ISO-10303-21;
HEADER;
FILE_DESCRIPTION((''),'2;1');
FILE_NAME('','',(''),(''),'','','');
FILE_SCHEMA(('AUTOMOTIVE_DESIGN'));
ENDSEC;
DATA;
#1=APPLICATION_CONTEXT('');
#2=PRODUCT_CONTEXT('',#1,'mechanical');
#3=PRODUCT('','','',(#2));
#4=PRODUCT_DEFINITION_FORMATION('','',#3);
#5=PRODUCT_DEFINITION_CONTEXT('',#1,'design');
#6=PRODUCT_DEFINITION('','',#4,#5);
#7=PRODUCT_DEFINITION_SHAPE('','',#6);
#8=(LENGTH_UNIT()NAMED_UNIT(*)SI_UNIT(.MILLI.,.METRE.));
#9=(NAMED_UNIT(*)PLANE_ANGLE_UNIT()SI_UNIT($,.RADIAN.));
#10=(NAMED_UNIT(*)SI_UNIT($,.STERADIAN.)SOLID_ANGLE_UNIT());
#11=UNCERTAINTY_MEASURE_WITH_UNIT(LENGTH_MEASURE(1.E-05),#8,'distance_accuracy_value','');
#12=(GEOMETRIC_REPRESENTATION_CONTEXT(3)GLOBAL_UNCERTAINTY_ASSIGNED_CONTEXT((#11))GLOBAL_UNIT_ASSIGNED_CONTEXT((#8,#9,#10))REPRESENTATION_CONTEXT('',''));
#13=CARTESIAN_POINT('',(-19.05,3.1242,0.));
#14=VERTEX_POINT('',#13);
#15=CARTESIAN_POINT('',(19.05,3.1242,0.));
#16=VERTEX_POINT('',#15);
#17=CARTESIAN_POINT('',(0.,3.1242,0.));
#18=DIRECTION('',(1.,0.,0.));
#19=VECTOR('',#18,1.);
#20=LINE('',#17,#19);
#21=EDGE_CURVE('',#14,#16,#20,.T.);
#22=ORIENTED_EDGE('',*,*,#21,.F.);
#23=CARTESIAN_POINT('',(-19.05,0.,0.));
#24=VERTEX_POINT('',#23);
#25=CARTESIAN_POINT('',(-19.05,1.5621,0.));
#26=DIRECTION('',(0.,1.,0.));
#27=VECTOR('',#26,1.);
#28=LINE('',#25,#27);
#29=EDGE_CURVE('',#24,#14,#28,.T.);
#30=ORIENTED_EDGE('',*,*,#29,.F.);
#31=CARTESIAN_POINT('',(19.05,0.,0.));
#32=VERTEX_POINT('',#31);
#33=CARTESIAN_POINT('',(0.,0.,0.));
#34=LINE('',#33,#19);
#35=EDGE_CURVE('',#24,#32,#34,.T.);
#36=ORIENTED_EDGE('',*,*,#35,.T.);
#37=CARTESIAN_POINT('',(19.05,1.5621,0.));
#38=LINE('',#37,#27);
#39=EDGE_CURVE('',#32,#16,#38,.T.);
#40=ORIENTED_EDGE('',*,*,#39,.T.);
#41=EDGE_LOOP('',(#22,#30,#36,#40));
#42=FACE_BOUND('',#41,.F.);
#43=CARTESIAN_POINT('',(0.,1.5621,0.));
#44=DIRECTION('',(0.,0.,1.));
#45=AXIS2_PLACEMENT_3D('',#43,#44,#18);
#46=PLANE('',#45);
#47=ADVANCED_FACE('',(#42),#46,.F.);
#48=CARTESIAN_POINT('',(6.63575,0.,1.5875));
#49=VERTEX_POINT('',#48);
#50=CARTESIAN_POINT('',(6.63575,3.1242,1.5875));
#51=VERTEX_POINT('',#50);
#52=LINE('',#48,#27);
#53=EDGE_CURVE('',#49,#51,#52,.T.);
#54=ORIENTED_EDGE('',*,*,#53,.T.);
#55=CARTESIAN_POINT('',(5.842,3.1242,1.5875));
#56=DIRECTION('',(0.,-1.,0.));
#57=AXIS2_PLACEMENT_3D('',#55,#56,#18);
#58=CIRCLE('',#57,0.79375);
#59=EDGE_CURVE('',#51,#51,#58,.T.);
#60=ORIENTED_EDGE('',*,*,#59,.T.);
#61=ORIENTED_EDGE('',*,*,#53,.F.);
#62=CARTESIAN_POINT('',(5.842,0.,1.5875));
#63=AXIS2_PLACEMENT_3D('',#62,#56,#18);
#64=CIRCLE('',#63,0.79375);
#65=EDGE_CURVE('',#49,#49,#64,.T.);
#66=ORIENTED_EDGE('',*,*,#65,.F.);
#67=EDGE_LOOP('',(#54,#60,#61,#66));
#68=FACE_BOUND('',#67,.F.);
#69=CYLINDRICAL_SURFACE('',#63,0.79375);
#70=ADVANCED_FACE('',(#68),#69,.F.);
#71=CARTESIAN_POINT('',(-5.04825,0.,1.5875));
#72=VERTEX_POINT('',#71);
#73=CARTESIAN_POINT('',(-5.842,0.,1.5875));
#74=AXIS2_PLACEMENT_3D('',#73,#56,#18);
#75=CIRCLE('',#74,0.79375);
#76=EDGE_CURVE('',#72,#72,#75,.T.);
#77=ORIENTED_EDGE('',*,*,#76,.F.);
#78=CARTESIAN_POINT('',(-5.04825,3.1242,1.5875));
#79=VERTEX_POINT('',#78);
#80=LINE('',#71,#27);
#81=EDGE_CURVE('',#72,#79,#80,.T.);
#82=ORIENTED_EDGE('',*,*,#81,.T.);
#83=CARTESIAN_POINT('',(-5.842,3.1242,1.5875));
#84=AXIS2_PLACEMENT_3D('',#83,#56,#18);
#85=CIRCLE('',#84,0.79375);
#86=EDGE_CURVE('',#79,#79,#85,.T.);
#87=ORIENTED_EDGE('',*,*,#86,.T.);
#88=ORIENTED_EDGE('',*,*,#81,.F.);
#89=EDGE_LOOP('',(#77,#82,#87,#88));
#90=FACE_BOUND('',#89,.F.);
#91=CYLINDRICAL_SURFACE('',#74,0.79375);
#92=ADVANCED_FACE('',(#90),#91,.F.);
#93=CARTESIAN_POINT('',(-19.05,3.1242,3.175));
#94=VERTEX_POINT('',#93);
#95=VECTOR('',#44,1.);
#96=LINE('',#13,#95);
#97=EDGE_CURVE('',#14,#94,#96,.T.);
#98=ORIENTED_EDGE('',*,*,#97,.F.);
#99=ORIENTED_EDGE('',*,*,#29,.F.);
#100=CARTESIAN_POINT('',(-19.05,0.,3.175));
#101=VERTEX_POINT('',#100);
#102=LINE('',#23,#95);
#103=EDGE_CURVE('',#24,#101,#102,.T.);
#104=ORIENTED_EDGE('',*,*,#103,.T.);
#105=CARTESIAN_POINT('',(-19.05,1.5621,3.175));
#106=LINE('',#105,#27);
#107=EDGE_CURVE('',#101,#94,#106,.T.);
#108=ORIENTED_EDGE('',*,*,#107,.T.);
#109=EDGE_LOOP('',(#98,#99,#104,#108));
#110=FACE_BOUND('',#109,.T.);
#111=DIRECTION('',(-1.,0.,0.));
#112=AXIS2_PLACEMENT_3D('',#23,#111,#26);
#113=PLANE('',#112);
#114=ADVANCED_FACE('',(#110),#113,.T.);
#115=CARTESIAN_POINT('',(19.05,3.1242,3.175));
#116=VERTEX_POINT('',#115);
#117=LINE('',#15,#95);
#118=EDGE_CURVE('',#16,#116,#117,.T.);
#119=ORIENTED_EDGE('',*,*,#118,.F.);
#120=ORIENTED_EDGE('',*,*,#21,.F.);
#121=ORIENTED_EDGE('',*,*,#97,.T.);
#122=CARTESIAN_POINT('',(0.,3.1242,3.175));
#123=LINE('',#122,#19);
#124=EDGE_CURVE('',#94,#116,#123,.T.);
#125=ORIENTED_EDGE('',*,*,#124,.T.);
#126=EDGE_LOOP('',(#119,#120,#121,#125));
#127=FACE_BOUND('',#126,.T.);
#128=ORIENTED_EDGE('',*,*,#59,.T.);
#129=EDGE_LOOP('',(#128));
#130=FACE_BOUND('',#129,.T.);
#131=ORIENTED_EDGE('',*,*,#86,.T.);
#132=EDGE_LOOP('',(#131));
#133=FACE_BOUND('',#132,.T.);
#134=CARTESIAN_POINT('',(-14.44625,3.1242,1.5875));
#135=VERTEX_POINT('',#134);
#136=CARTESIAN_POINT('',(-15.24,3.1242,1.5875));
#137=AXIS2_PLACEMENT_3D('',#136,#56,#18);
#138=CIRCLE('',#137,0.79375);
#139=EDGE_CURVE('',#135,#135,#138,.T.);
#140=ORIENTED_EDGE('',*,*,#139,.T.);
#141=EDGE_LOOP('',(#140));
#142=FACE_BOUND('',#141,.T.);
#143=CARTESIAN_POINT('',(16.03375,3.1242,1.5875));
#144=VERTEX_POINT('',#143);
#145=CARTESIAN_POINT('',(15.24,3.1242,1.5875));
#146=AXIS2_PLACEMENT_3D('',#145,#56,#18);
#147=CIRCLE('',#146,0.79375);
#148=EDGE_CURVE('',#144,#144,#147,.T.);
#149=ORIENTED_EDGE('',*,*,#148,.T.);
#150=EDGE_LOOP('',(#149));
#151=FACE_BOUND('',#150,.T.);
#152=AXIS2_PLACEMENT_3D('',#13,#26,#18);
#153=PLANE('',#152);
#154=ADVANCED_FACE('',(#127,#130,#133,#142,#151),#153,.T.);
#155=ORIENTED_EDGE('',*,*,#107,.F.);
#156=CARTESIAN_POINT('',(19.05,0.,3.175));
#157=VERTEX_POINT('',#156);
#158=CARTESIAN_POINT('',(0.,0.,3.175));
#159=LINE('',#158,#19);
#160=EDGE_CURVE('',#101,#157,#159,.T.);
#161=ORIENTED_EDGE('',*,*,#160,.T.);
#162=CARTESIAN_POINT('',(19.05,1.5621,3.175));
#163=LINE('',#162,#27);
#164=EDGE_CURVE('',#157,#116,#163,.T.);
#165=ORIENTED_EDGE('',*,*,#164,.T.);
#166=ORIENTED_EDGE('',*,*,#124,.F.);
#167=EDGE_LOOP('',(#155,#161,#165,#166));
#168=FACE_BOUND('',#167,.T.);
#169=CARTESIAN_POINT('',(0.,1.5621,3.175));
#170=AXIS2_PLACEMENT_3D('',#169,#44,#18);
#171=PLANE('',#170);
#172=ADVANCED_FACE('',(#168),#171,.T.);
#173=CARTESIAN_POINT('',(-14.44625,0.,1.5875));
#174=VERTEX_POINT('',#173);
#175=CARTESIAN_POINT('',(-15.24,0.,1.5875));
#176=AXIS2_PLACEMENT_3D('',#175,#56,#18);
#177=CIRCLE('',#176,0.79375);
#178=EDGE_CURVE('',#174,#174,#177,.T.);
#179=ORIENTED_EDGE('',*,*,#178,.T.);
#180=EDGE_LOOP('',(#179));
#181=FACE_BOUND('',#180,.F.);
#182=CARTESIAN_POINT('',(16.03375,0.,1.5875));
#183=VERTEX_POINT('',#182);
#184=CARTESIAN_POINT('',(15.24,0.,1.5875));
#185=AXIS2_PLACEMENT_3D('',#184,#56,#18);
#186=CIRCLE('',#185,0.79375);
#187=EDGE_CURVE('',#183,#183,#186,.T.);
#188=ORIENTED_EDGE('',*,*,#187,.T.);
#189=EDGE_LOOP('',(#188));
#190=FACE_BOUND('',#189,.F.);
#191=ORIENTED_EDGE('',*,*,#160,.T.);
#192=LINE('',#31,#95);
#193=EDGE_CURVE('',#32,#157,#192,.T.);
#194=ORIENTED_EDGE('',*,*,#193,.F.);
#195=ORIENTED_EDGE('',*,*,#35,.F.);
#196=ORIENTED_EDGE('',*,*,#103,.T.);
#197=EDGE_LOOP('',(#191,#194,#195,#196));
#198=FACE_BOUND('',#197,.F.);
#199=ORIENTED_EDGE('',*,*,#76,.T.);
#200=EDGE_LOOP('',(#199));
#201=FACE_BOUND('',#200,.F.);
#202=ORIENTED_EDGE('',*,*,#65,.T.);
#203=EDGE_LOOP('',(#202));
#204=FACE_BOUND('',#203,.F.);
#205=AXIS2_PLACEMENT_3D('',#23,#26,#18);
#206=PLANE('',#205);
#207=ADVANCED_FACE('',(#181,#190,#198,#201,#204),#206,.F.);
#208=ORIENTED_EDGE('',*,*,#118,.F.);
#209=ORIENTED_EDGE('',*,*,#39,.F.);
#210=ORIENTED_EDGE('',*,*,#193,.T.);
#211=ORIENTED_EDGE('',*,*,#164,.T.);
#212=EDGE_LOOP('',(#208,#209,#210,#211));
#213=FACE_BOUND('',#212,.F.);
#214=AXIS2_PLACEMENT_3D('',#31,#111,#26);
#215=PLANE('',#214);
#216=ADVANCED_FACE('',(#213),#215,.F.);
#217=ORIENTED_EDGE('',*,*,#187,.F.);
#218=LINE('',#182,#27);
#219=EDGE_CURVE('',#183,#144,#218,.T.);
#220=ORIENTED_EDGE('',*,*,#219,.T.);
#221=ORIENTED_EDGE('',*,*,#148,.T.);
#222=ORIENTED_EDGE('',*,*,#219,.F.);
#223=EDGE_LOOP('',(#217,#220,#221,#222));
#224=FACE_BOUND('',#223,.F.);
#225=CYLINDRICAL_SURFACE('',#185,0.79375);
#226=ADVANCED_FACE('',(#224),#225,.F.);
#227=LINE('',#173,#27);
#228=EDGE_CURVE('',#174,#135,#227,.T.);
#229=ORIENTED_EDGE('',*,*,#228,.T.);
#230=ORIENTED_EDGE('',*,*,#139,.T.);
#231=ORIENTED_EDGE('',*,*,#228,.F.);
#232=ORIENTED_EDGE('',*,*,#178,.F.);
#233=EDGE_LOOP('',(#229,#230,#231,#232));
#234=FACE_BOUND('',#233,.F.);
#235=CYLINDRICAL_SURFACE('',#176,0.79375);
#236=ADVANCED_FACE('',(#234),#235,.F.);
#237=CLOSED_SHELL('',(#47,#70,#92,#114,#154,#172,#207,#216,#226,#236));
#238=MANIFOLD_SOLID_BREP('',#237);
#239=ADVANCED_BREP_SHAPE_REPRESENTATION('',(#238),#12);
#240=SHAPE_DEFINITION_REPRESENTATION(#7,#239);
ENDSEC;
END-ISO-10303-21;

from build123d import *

# Parameters (mm, degrees)
F0_W     = 38.1
F0_H     = 3.1242
F1_DEPTH = 3.175
F2_R     = 0.79375
F3_DEPTH = 25.4


with BuildPart() as f1:
    # F0 (on Top) → F1 (new body)
    with BuildSketch(Plane.XY):
        with Locations((0, 1.5621)):
            Rectangle(F0_W, F0_H)
    extrude(amount=F1_DEPTH)

    # F2 (on face) → F3 (cut)
    with BuildSketch(Plane.XZ):
        with Locations((-15.24, 1.5875)):
            Circle(F2_R)
        with Locations((-5.842, 1.5875)):
            Circle(F2_R)
        with Locations((5.842, 1.5875)):
            Circle(F2_R)
        with Locations((15.24, 1.5875)):
            Circle(F2_R)
    extrude(amount=-F3_DEPTH, mode=Mode.SUBTRACT)


solid = f1.part
